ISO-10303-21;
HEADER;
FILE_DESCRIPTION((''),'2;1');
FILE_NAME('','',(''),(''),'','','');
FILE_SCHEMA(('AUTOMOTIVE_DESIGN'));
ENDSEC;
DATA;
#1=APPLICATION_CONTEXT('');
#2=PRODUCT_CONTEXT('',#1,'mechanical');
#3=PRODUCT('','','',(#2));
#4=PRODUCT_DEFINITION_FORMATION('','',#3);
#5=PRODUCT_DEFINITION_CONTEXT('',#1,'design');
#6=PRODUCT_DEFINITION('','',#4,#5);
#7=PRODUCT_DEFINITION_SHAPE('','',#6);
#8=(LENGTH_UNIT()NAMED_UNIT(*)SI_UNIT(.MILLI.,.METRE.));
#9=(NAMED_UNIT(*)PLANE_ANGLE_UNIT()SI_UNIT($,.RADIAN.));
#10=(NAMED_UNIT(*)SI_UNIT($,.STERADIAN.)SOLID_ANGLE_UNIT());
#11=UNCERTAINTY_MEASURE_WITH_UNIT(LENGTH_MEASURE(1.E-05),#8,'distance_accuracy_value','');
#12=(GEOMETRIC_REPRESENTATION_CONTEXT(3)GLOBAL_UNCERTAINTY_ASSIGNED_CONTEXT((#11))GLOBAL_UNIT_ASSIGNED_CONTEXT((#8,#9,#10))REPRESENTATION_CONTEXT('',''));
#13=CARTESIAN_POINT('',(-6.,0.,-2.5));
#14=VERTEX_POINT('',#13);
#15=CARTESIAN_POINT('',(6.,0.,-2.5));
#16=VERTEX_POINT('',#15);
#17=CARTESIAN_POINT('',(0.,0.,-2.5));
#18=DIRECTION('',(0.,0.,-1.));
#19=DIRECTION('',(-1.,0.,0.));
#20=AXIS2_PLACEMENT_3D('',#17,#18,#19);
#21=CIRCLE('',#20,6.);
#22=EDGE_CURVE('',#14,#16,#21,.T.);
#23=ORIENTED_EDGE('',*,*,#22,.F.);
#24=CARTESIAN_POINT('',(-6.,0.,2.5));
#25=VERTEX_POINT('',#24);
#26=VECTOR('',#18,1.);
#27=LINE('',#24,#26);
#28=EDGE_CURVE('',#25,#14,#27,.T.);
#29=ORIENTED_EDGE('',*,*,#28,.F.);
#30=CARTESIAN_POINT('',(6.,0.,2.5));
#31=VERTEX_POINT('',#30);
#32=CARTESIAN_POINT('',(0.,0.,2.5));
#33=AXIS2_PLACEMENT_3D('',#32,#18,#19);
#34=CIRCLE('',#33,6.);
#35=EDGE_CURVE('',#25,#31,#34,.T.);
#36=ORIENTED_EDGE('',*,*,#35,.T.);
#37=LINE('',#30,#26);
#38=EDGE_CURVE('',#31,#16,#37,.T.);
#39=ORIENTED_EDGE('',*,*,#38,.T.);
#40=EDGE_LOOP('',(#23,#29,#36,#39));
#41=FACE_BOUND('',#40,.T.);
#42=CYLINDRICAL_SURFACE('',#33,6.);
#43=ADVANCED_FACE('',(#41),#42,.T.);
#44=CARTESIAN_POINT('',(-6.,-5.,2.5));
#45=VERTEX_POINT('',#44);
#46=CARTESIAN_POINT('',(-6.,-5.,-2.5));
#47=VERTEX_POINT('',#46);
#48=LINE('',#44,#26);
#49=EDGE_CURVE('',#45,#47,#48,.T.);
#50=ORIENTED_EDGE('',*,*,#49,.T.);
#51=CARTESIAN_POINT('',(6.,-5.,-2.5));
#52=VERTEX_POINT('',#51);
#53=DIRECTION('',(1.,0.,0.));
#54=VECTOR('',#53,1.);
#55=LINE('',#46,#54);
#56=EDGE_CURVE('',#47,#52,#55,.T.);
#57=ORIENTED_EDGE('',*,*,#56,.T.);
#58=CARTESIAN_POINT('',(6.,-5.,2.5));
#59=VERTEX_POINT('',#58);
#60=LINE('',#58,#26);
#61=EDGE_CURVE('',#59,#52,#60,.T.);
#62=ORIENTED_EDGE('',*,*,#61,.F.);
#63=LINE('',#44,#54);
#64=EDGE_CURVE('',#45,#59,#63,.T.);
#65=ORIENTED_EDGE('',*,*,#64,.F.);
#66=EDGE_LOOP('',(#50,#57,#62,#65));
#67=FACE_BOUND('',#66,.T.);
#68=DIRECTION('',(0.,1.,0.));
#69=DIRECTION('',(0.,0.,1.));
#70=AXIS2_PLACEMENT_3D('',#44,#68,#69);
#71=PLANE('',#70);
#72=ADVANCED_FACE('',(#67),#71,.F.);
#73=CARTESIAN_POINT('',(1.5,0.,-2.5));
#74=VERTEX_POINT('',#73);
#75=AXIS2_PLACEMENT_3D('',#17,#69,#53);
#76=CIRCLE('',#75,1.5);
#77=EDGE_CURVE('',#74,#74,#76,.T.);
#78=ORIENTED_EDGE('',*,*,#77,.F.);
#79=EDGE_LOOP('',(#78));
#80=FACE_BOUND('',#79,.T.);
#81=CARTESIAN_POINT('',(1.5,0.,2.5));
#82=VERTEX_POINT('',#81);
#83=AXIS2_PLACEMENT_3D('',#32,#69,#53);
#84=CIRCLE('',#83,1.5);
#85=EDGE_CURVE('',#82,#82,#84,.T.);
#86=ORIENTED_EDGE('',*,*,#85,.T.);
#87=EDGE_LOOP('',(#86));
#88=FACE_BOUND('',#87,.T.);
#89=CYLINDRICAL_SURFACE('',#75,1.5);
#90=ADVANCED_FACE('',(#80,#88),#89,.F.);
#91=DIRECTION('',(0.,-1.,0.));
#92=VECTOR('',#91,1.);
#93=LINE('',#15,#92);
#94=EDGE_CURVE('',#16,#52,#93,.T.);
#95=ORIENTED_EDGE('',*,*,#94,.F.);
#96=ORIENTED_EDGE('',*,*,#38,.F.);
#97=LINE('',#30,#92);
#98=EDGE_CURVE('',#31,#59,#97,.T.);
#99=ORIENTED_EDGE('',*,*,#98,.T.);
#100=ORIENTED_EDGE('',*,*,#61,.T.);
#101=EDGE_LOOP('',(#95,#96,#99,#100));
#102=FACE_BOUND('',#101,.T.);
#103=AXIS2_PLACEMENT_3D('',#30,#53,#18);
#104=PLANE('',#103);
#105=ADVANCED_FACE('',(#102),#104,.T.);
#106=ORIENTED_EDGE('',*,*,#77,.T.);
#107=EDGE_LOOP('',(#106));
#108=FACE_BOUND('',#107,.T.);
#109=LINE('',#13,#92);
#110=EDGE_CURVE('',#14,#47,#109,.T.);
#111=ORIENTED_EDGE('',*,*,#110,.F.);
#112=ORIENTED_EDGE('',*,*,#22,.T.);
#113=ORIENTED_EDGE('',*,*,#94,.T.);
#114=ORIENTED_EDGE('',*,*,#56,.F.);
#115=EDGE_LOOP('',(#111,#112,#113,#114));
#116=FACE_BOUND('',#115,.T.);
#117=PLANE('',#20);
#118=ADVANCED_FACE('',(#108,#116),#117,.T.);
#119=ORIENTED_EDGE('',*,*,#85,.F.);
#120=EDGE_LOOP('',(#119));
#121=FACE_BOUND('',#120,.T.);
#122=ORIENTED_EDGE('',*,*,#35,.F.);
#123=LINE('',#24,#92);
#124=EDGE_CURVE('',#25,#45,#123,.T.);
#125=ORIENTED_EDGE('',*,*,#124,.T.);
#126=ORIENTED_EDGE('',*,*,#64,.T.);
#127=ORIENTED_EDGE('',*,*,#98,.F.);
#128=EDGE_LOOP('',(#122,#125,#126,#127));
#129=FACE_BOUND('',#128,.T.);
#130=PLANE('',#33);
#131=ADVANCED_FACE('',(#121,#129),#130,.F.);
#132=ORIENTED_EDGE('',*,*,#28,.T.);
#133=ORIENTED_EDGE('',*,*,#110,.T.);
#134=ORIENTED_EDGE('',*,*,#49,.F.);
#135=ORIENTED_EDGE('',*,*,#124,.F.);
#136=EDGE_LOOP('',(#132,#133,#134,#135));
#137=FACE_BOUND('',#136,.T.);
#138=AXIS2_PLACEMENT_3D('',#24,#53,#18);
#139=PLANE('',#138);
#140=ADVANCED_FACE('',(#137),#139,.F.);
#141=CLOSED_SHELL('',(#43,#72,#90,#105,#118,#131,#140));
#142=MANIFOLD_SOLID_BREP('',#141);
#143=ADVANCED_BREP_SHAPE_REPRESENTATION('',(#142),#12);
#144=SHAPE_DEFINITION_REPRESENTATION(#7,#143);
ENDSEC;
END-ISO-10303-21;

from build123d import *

# Parameters (mm, degrees)
BOSS_EXTRUDE1_DEPTH     = 2.5
SKETCH4_R               = 1.5
CUT_EXTRUDE1_DEPTH      = 3.5
CUT_EXTRUDE1_DEPTH_BACK = 3.5


with BuildPart() as part:
    # Sketch2 → Boss-Extrude1 (new body, symmetric)
    with BuildSketch(Plane.XY):
        with BuildLine():
            Line((-6, 0), (-6, -5))
            Line((-6, -5), (6, -5))
            Line((6, -5), (6, 0))
            ThreePointArc((6, 0), (0, 6), (-6, 0))
        make_face()
    extrude(amount=BOSS_EXTRUDE1_DEPTH, both=True)

    # Sketch4 → Cut-Extrude1 (cut, two sides)
    with BuildSketch(Plane.XY) as cut_extrude1_sk:
        Circle(SKETCH4_R)
    extrude(amount=CUT_EXTRUDE1_DEPTH, mode=Mode.SUBTRACT)
    extrude(cut_extrude1_sk.sketch, amount=-CUT_EXTRUDE1_DEPTH_BACK, mode=Mode.SUBTRACT)


solid = part.part
